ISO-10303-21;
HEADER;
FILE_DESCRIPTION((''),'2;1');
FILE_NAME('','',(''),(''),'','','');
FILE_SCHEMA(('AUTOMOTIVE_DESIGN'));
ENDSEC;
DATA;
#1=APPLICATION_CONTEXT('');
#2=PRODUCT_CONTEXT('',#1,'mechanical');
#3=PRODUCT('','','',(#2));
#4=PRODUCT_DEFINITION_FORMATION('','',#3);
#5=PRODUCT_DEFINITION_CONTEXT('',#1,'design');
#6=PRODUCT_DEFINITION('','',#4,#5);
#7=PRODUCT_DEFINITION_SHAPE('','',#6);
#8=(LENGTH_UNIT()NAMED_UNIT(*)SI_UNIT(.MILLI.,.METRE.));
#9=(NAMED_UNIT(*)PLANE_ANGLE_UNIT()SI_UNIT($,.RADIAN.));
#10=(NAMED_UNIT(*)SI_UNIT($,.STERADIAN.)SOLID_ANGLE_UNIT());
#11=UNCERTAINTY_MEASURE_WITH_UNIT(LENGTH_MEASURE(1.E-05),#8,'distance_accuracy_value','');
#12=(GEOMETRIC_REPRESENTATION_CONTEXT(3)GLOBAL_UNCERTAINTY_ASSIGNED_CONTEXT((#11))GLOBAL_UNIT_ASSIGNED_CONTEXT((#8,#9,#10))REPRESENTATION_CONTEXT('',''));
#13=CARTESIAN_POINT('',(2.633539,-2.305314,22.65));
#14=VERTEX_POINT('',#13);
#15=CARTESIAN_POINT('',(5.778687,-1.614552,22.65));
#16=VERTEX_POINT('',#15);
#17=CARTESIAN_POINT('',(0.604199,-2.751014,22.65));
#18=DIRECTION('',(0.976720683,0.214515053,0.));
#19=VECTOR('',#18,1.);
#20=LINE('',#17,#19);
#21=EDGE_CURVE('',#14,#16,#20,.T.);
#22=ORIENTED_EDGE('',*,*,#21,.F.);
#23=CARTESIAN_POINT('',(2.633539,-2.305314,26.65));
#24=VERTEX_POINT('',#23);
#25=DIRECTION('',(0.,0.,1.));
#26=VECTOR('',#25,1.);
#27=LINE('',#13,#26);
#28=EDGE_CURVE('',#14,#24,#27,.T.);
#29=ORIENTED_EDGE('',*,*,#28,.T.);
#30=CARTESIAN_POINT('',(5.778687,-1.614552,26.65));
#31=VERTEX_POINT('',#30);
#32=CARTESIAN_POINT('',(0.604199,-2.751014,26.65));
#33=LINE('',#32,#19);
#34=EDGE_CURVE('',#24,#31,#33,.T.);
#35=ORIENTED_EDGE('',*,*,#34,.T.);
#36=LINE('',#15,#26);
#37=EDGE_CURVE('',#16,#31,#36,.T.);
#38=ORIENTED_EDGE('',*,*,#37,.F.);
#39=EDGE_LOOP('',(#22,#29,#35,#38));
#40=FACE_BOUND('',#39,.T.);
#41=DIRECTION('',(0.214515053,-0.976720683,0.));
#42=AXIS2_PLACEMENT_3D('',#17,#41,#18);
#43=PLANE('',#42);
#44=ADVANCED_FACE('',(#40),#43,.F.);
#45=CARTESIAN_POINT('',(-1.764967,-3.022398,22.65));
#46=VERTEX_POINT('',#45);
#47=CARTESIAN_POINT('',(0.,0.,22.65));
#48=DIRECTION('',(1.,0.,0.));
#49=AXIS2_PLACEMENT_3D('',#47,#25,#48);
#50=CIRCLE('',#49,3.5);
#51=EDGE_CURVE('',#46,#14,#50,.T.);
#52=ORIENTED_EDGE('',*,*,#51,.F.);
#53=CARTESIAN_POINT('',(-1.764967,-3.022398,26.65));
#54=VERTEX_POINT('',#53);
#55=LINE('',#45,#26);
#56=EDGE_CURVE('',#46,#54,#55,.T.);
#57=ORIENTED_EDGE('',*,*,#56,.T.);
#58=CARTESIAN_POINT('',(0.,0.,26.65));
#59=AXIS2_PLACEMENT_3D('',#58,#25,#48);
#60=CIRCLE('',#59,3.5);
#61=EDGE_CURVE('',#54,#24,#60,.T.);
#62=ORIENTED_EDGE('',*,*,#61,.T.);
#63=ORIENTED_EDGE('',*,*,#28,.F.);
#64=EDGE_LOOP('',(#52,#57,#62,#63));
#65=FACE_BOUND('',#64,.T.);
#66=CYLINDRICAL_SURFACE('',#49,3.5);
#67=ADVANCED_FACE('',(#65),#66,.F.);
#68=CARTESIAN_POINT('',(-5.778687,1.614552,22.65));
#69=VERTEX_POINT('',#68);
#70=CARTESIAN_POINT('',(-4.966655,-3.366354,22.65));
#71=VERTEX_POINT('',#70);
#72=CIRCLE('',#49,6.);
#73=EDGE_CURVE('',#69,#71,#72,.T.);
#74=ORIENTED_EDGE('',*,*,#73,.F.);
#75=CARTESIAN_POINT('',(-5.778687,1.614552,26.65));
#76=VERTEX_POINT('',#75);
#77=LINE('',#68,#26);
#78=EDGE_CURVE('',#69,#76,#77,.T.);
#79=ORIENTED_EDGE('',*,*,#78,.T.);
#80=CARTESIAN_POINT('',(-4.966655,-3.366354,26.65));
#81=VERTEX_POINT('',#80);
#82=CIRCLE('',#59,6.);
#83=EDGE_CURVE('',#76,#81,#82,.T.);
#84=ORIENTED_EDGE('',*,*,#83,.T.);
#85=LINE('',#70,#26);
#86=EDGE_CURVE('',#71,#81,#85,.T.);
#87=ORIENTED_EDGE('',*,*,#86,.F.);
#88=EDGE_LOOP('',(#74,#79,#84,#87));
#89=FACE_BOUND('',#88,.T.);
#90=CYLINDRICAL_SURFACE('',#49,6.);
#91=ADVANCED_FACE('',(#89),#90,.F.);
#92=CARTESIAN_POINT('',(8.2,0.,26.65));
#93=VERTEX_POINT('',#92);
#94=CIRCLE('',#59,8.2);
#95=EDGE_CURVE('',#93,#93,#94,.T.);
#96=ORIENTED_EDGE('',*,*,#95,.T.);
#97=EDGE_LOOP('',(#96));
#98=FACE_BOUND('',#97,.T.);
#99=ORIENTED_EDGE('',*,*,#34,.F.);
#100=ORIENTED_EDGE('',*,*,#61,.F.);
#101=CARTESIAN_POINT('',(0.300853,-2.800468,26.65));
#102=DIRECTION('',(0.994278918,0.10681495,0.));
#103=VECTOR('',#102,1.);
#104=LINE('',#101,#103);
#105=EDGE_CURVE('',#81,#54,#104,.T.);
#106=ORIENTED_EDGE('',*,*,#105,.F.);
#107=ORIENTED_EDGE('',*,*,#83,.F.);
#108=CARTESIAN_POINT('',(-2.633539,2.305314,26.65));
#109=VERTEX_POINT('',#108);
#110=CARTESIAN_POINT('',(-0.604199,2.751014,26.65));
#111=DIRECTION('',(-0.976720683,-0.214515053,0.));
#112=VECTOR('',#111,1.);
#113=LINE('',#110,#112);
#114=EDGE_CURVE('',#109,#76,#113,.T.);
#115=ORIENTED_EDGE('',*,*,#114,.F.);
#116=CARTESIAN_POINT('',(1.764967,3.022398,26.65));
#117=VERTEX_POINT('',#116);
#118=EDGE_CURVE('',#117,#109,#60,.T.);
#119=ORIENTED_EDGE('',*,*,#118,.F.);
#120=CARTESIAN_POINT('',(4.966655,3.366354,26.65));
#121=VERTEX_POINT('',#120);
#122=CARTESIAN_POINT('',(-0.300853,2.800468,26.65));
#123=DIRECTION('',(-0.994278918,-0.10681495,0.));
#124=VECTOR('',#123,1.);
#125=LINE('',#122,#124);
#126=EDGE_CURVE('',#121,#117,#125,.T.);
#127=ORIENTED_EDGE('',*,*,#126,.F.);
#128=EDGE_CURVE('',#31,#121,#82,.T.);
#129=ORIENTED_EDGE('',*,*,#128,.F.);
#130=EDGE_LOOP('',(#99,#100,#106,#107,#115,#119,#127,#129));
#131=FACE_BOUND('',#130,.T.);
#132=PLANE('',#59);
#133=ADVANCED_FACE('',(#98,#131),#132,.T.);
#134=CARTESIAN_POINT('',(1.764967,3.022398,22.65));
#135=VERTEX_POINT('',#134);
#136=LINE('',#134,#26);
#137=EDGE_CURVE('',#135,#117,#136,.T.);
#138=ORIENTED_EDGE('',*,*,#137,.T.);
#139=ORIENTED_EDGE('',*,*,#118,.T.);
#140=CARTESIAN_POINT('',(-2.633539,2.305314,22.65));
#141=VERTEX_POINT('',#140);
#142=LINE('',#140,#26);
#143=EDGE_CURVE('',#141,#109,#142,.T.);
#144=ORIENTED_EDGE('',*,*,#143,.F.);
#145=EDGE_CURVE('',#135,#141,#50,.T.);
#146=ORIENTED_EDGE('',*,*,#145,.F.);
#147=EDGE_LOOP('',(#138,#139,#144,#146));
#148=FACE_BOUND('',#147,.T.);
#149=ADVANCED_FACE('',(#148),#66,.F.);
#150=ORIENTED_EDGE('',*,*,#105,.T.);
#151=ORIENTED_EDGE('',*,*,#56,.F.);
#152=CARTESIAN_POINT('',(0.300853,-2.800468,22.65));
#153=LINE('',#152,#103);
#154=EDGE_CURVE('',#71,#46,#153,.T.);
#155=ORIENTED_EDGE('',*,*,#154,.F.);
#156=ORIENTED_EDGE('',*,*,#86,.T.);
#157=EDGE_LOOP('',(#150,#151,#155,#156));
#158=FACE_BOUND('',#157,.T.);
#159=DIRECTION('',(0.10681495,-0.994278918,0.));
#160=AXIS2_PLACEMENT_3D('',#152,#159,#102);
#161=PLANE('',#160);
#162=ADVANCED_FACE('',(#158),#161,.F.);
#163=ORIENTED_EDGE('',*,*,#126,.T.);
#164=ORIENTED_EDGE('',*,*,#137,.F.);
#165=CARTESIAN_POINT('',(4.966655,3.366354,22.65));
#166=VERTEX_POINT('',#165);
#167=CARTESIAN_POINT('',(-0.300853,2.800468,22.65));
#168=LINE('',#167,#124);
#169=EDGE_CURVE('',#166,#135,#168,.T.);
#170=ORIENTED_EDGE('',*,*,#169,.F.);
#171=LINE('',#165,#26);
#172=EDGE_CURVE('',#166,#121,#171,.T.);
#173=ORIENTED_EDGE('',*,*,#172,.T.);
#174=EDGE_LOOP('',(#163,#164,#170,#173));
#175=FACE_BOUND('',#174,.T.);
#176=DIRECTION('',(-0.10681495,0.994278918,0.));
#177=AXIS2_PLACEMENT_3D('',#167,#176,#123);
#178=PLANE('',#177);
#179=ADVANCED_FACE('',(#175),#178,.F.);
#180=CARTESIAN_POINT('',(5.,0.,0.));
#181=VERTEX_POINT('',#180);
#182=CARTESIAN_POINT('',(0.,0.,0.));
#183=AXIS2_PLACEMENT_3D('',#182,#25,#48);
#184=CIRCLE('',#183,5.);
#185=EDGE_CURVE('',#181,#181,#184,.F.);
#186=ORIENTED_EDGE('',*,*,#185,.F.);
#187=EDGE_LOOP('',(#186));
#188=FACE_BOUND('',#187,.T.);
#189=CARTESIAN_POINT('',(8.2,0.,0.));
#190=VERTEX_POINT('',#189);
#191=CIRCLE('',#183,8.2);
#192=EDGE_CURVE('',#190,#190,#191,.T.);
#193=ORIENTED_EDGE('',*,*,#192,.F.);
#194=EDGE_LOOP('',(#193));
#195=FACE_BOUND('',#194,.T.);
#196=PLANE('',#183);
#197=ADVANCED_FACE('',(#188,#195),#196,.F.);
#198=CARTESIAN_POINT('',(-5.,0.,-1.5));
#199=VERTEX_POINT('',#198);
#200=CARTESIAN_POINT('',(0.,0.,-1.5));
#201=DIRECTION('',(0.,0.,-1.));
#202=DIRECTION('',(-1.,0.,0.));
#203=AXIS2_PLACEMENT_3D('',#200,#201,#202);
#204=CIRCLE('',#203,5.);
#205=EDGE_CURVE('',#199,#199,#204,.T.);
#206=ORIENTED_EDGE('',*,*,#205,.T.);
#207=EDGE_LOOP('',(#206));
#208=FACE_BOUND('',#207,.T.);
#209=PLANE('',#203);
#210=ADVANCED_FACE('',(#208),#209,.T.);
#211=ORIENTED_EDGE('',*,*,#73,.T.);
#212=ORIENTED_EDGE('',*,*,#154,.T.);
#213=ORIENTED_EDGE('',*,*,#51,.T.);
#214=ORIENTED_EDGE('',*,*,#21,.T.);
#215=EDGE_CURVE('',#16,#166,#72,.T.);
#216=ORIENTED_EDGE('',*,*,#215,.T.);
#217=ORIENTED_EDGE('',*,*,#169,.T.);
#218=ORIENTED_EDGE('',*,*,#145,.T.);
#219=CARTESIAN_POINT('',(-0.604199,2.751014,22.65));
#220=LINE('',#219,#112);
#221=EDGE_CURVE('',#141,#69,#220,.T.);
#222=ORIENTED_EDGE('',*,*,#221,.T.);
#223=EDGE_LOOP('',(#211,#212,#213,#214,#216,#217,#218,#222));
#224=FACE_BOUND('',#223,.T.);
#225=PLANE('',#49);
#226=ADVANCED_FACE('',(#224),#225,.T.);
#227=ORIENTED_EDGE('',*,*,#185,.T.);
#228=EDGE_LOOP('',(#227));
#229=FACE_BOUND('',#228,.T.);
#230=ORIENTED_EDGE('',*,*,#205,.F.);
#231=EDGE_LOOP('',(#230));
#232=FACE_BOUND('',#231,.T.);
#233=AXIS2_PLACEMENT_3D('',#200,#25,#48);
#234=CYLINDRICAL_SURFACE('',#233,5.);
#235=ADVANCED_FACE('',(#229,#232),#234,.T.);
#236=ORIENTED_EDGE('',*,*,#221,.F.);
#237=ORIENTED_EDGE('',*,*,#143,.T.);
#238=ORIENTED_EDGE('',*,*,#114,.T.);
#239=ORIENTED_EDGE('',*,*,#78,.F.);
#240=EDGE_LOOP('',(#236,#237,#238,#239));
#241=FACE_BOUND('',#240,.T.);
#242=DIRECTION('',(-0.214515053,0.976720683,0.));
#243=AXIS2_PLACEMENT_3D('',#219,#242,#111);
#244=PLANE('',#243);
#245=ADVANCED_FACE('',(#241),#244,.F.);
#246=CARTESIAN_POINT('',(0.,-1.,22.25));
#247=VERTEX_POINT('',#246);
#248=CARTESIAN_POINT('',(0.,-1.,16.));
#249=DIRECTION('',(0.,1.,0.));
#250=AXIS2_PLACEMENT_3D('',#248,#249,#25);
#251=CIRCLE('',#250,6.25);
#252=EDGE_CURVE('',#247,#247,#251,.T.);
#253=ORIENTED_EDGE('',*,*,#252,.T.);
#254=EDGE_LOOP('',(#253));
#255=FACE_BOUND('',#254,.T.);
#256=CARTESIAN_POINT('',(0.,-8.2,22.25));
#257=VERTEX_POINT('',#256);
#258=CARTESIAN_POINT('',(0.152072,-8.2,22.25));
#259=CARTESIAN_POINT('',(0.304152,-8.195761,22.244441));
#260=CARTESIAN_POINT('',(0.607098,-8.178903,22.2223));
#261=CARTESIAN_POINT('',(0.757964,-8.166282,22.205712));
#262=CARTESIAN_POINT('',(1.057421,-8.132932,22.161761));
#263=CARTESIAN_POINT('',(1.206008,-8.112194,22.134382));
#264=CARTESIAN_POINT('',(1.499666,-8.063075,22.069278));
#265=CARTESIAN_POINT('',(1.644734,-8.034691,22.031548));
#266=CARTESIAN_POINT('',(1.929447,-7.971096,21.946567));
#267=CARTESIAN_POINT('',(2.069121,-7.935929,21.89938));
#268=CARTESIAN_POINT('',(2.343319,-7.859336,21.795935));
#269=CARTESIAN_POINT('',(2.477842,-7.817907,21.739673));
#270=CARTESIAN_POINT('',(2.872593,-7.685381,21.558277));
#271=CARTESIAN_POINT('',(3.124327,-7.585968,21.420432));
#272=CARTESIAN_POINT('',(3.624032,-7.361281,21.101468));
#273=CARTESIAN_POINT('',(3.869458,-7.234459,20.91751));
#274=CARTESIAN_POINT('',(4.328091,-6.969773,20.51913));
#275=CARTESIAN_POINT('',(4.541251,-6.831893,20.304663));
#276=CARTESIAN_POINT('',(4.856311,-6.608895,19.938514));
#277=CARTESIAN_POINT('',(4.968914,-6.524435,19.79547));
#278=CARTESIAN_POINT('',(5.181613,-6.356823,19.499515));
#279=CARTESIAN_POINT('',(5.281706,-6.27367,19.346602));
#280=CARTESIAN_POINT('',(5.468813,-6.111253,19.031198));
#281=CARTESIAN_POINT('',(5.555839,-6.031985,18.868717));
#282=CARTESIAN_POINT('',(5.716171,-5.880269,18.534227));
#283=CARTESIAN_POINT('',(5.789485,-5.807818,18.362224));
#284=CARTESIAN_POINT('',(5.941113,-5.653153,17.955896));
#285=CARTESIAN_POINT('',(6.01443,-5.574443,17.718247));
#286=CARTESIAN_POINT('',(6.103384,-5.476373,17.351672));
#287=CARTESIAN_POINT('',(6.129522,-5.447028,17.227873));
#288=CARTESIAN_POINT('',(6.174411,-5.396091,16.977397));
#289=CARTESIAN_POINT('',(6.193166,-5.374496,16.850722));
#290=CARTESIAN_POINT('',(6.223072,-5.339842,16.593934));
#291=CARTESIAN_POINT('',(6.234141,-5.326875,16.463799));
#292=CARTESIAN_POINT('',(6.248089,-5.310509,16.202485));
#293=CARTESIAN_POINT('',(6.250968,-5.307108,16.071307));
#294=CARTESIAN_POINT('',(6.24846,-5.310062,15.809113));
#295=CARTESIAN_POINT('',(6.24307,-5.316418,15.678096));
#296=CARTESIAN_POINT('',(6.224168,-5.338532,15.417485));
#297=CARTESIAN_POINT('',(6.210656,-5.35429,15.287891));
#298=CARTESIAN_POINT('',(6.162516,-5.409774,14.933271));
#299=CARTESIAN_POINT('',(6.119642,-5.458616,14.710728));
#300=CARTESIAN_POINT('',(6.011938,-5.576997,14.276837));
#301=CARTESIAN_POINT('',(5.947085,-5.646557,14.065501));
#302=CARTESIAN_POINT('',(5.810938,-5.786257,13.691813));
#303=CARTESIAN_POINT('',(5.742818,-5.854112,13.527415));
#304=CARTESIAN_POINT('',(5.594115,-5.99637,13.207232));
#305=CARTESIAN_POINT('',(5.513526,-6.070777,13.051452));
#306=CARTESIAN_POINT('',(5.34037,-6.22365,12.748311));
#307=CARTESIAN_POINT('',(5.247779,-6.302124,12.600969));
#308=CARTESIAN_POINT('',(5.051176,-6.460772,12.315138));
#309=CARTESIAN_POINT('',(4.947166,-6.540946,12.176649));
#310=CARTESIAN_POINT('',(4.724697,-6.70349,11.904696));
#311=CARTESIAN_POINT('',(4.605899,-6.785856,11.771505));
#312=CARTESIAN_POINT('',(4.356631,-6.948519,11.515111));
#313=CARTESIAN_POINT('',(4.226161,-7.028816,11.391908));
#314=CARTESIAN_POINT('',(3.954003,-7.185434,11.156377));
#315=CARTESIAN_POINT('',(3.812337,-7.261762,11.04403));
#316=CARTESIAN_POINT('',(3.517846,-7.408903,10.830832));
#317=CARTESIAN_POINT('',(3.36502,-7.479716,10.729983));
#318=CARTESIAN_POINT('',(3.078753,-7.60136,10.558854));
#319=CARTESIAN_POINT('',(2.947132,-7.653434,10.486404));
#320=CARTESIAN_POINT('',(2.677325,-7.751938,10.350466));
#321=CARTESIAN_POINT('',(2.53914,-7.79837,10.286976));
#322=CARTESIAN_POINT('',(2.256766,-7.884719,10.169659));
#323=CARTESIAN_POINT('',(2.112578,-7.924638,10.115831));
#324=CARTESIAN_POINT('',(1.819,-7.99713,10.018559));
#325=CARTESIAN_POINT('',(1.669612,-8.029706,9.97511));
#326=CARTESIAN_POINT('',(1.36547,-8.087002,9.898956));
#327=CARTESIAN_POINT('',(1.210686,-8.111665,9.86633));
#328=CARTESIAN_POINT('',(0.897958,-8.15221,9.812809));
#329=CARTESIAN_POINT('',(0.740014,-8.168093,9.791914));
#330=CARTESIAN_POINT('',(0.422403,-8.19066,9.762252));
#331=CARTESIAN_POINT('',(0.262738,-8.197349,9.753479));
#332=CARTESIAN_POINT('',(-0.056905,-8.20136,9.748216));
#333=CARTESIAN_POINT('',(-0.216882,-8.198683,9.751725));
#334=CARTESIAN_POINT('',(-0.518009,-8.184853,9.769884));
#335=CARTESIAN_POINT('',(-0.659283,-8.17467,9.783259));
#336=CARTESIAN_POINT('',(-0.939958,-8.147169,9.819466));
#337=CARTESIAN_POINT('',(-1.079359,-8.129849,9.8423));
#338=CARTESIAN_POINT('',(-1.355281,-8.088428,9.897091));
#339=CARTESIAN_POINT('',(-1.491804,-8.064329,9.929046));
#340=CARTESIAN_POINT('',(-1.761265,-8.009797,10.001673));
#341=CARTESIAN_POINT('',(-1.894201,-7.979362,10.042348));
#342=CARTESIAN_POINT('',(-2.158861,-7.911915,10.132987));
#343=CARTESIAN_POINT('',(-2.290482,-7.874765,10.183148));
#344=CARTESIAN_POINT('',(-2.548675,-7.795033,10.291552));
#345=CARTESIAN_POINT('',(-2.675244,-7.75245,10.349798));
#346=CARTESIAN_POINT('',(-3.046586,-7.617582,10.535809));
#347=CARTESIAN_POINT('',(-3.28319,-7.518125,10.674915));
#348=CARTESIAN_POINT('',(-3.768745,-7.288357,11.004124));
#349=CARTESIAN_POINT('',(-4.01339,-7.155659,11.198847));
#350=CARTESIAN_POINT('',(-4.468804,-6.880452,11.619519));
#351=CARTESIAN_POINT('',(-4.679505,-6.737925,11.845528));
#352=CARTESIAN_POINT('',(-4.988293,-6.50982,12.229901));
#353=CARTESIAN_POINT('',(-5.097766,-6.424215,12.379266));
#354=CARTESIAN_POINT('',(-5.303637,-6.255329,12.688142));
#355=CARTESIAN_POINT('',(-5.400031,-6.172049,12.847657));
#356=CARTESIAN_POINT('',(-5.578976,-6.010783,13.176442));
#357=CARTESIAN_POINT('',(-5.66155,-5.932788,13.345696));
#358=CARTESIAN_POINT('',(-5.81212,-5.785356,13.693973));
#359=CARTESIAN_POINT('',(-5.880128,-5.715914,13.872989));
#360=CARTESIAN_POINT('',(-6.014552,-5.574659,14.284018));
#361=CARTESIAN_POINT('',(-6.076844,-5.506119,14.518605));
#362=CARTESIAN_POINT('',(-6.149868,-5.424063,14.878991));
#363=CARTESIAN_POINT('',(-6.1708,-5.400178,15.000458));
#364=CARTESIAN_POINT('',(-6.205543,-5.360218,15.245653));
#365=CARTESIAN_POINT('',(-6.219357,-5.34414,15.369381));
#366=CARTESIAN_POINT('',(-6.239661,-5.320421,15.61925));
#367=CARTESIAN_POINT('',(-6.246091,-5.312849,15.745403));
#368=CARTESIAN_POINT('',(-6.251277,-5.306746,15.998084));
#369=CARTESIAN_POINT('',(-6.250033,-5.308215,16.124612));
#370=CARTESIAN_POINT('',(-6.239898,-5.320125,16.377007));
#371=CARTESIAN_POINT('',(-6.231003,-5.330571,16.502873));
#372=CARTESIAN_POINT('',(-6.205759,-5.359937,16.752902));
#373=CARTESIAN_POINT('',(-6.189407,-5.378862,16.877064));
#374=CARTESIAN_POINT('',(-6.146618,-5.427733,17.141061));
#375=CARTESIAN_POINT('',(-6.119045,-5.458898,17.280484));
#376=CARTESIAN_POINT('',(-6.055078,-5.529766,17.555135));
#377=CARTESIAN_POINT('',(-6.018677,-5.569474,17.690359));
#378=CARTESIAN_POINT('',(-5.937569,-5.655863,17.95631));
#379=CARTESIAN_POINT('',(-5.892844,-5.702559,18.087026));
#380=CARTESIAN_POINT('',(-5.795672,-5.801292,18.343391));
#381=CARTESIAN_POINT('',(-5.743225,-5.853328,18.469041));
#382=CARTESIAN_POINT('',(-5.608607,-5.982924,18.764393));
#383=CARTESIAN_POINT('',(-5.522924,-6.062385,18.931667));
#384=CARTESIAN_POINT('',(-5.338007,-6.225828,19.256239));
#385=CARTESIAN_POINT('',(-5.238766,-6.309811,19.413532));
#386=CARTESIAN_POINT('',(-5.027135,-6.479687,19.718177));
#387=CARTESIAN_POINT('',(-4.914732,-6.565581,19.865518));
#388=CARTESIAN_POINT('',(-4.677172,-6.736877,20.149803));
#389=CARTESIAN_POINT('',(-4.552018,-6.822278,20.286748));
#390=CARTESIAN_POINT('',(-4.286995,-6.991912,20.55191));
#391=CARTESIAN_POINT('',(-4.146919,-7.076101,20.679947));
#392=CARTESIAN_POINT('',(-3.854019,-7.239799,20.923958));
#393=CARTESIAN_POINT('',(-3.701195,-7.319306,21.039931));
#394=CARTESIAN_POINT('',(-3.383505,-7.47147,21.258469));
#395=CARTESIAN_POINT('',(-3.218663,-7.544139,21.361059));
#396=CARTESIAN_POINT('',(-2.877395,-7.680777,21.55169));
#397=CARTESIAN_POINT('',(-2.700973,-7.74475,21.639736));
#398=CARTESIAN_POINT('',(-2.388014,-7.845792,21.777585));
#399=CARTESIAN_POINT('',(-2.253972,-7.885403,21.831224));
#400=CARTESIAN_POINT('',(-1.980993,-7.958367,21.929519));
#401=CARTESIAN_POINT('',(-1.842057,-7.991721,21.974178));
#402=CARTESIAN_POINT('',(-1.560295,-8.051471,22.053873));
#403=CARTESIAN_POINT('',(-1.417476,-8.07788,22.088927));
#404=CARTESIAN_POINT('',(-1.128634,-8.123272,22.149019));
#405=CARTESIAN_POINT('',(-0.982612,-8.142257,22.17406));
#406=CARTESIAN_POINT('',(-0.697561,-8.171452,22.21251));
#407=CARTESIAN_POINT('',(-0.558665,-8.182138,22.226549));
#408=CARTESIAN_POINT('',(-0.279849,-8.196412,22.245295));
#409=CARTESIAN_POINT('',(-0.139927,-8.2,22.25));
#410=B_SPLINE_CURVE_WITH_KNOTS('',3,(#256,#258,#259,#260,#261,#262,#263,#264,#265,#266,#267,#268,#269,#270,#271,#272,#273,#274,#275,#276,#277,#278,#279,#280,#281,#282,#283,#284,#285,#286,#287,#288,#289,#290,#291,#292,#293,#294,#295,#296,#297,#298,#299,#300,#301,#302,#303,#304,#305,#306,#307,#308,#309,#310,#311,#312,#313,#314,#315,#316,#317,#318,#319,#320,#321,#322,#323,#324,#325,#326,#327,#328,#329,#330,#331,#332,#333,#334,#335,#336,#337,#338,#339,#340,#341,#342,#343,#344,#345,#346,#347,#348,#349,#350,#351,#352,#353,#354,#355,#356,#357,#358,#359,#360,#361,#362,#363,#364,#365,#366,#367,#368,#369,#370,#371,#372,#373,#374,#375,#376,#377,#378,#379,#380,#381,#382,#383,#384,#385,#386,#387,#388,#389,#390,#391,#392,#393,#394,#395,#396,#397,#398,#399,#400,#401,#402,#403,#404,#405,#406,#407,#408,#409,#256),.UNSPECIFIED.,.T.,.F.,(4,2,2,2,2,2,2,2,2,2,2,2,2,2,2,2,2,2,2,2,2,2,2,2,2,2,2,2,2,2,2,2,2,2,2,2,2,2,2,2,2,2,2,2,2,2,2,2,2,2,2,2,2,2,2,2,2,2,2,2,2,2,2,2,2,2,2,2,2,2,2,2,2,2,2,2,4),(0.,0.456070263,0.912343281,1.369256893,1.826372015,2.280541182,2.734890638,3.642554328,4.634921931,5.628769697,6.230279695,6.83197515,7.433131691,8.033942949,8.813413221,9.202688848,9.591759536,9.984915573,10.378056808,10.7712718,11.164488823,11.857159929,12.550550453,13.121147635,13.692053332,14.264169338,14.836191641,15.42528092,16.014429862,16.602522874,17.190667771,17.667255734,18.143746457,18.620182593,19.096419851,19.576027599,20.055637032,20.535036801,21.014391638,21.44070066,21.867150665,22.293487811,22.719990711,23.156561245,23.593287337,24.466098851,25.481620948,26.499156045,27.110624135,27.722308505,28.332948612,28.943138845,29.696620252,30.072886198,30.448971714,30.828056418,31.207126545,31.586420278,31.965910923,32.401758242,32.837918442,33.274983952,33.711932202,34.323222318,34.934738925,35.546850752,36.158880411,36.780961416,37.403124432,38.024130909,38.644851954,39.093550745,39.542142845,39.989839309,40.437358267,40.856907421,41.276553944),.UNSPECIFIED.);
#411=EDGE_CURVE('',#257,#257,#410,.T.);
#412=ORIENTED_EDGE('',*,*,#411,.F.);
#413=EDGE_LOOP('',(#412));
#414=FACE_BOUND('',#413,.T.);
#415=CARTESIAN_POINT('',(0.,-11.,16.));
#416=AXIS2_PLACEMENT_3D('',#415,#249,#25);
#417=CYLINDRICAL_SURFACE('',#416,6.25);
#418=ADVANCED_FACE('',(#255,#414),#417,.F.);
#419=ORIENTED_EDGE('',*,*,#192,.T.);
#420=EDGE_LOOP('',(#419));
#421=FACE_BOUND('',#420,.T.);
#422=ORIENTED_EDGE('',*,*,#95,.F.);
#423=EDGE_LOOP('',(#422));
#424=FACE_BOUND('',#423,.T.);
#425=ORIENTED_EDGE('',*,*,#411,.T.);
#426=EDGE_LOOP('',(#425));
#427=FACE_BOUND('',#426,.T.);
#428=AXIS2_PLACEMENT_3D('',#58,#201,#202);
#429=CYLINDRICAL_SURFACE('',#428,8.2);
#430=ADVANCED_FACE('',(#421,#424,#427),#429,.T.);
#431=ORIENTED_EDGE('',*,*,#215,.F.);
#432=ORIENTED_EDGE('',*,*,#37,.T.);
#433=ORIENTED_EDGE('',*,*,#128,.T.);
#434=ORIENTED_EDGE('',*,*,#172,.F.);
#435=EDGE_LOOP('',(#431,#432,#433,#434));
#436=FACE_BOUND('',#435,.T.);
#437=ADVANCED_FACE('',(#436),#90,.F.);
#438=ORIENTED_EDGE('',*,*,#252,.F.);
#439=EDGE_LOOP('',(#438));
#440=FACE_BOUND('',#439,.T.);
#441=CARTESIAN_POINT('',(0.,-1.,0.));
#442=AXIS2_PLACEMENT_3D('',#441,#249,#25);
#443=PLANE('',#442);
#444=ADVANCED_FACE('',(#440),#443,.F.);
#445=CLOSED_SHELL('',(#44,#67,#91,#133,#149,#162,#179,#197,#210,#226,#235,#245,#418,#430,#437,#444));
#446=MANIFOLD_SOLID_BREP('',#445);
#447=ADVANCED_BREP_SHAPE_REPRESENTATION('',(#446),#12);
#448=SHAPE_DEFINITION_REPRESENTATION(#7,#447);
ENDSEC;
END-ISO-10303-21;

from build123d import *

# Parameters (mm, degrees)
SKETCH_1_R          = 8.2
EXTRUDE_1_DEPTH     = 26.65
SKETCH_3_R          = 5
EXTRUDE_2_DEPTH     = 1.5
CUT_EXTRUDE_1_DEPTH = 4
CUT_EXTRUDE_START   = -1
SKETCH_5_R          = 6.25
CUT_EXTRUDE_2_DEPTH = 10


with BuildPart() as part:
    # Эскиз1 → Бобышка-Вытянуть1 (new body)
    with BuildSketch(Plane.XY):
        Circle(SKETCH_1_R)
    extrude(amount=EXTRUDE_1_DEPTH)

    # Эскиз3 → Бобышка-Вытянуть2 (add)
    with BuildSketch(Plane(origin=(0, 0, 0), x_dir=(-1, 0, 0), z_dir=(0, 0, -1))):
        Circle(SKETCH_3_R)
    extrude(amount=EXTRUDE_2_DEPTH)

    # Эскиз4 → Вырез-Вытянуть1 (cut)
    with BuildSketch(Plane.XY.offset(26.65)):
        with BuildLine():
            ThreePointArc((1.764967336, 3.022398105), (-0.563166375, 3.454394829), (-2.63353871, 2.305314265))
            Line((-2.63353871, 2.305314265), (-5.778686809, 1.614552185))
            ThreePointArc((-5.778686809, 1.614552185), (-5.921819707, -0.965428072), (-4.966654884, -3.366354001))
            Line((-4.966654884, -3.366354001), (-1.764967336, -3.022398105))
            ThreePointArc((-1.764967336, -3.022398105), (0.563166375, -3.454394829), (2.63353871, -2.305314265))
            Line((2.63353871, -2.305314265), (5.778686809, -1.614552185))
            ThreePointArc((5.778686809, -1.614552185), (5.944414221, -0.814824872), (6, 0))
            ThreePointArc((6, 0), (5.735849079, 1.760691724), (4.966654884, 3.366354001))
            Line((4.966654884, 3.366354001), (1.764967336, 3.022398105))
        make_face()
    extrude(amount=-CUT_EXTRUDE_1_DEPTH, mode=Mode.SUBTRACT)

    # Эскиз5 → Вырез-Вытянуть2 (cut)
    with BuildSketch(Plane(origin=(0, 0, 0), x_dir=(1, 0, 0), z_dir=(0, 1, 0)).offset(CUT_EXTRUDE_START)):
        with Locations((0, -16)):
            Circle(SKETCH_5_R)
    extrude(amount=-CUT_EXTRUDE_2_DEPTH, mode=Mode.SUBTRACT)


solid = part.part
